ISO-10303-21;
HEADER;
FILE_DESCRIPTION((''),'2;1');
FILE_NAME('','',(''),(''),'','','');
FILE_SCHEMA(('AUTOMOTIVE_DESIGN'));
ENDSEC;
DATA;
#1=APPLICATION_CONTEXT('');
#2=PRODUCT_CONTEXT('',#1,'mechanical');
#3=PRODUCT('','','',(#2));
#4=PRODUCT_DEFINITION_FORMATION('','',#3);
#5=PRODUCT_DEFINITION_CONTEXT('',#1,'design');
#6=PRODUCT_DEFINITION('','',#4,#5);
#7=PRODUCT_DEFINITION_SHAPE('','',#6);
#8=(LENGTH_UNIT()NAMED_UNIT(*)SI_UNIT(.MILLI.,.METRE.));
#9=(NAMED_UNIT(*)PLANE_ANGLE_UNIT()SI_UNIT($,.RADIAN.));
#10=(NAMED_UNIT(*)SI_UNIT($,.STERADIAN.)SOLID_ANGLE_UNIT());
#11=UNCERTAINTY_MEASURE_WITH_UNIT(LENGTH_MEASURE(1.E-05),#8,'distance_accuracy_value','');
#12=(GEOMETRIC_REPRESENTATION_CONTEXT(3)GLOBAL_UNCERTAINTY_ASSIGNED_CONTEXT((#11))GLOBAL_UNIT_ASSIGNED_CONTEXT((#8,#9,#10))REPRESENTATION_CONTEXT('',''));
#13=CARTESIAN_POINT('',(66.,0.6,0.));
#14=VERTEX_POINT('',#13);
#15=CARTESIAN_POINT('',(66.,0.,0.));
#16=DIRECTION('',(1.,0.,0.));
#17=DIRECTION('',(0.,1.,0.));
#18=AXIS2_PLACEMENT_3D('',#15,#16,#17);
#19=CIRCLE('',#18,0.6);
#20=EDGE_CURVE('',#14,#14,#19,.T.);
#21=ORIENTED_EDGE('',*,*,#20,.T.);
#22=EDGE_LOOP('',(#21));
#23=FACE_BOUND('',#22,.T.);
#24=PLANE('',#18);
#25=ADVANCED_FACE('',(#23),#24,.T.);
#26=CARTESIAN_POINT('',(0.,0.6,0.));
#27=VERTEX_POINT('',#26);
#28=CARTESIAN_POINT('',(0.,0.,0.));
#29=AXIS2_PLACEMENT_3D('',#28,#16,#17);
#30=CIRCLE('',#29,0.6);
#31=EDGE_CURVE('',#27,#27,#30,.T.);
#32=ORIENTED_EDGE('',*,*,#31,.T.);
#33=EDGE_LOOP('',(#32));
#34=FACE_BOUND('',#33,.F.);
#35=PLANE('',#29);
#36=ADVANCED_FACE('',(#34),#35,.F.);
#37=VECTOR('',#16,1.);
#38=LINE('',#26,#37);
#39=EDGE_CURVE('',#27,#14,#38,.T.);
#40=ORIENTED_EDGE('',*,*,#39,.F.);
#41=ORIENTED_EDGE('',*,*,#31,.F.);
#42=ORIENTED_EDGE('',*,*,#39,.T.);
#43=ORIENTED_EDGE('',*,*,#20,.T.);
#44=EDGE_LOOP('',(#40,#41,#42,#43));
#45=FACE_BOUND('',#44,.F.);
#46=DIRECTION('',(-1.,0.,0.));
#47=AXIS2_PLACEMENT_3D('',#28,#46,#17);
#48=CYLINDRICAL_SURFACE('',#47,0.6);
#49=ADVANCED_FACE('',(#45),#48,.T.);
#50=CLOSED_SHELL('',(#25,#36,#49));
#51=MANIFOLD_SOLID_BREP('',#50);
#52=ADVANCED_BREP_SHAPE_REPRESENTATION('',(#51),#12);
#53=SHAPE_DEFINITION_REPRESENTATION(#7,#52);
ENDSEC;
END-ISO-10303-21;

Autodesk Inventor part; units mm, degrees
ref_plane "YZ Plane" through (0, 0, 0) normal (1, 0, 0) x (0, 1, 0)
ref_plane "XZ Plane" through (0, 0, 0) normal (0, 1, 0) x (-1, 0, 0)
ref_plane "XY Plane" through (0, 0, 0) normal (0, 0, 1) x (1, 0, 0)
sketch "Sketch1" plane through (0, 0, 0) normal (1, 0, 0) x (0, 1, 0)
  circle A0 centre (0, 0) radius 0.6
  dimension "d0" = 1.2
extrude "Extrusion1" add sketch "Sketch1" along normal blind 66
properties part number "wire"
